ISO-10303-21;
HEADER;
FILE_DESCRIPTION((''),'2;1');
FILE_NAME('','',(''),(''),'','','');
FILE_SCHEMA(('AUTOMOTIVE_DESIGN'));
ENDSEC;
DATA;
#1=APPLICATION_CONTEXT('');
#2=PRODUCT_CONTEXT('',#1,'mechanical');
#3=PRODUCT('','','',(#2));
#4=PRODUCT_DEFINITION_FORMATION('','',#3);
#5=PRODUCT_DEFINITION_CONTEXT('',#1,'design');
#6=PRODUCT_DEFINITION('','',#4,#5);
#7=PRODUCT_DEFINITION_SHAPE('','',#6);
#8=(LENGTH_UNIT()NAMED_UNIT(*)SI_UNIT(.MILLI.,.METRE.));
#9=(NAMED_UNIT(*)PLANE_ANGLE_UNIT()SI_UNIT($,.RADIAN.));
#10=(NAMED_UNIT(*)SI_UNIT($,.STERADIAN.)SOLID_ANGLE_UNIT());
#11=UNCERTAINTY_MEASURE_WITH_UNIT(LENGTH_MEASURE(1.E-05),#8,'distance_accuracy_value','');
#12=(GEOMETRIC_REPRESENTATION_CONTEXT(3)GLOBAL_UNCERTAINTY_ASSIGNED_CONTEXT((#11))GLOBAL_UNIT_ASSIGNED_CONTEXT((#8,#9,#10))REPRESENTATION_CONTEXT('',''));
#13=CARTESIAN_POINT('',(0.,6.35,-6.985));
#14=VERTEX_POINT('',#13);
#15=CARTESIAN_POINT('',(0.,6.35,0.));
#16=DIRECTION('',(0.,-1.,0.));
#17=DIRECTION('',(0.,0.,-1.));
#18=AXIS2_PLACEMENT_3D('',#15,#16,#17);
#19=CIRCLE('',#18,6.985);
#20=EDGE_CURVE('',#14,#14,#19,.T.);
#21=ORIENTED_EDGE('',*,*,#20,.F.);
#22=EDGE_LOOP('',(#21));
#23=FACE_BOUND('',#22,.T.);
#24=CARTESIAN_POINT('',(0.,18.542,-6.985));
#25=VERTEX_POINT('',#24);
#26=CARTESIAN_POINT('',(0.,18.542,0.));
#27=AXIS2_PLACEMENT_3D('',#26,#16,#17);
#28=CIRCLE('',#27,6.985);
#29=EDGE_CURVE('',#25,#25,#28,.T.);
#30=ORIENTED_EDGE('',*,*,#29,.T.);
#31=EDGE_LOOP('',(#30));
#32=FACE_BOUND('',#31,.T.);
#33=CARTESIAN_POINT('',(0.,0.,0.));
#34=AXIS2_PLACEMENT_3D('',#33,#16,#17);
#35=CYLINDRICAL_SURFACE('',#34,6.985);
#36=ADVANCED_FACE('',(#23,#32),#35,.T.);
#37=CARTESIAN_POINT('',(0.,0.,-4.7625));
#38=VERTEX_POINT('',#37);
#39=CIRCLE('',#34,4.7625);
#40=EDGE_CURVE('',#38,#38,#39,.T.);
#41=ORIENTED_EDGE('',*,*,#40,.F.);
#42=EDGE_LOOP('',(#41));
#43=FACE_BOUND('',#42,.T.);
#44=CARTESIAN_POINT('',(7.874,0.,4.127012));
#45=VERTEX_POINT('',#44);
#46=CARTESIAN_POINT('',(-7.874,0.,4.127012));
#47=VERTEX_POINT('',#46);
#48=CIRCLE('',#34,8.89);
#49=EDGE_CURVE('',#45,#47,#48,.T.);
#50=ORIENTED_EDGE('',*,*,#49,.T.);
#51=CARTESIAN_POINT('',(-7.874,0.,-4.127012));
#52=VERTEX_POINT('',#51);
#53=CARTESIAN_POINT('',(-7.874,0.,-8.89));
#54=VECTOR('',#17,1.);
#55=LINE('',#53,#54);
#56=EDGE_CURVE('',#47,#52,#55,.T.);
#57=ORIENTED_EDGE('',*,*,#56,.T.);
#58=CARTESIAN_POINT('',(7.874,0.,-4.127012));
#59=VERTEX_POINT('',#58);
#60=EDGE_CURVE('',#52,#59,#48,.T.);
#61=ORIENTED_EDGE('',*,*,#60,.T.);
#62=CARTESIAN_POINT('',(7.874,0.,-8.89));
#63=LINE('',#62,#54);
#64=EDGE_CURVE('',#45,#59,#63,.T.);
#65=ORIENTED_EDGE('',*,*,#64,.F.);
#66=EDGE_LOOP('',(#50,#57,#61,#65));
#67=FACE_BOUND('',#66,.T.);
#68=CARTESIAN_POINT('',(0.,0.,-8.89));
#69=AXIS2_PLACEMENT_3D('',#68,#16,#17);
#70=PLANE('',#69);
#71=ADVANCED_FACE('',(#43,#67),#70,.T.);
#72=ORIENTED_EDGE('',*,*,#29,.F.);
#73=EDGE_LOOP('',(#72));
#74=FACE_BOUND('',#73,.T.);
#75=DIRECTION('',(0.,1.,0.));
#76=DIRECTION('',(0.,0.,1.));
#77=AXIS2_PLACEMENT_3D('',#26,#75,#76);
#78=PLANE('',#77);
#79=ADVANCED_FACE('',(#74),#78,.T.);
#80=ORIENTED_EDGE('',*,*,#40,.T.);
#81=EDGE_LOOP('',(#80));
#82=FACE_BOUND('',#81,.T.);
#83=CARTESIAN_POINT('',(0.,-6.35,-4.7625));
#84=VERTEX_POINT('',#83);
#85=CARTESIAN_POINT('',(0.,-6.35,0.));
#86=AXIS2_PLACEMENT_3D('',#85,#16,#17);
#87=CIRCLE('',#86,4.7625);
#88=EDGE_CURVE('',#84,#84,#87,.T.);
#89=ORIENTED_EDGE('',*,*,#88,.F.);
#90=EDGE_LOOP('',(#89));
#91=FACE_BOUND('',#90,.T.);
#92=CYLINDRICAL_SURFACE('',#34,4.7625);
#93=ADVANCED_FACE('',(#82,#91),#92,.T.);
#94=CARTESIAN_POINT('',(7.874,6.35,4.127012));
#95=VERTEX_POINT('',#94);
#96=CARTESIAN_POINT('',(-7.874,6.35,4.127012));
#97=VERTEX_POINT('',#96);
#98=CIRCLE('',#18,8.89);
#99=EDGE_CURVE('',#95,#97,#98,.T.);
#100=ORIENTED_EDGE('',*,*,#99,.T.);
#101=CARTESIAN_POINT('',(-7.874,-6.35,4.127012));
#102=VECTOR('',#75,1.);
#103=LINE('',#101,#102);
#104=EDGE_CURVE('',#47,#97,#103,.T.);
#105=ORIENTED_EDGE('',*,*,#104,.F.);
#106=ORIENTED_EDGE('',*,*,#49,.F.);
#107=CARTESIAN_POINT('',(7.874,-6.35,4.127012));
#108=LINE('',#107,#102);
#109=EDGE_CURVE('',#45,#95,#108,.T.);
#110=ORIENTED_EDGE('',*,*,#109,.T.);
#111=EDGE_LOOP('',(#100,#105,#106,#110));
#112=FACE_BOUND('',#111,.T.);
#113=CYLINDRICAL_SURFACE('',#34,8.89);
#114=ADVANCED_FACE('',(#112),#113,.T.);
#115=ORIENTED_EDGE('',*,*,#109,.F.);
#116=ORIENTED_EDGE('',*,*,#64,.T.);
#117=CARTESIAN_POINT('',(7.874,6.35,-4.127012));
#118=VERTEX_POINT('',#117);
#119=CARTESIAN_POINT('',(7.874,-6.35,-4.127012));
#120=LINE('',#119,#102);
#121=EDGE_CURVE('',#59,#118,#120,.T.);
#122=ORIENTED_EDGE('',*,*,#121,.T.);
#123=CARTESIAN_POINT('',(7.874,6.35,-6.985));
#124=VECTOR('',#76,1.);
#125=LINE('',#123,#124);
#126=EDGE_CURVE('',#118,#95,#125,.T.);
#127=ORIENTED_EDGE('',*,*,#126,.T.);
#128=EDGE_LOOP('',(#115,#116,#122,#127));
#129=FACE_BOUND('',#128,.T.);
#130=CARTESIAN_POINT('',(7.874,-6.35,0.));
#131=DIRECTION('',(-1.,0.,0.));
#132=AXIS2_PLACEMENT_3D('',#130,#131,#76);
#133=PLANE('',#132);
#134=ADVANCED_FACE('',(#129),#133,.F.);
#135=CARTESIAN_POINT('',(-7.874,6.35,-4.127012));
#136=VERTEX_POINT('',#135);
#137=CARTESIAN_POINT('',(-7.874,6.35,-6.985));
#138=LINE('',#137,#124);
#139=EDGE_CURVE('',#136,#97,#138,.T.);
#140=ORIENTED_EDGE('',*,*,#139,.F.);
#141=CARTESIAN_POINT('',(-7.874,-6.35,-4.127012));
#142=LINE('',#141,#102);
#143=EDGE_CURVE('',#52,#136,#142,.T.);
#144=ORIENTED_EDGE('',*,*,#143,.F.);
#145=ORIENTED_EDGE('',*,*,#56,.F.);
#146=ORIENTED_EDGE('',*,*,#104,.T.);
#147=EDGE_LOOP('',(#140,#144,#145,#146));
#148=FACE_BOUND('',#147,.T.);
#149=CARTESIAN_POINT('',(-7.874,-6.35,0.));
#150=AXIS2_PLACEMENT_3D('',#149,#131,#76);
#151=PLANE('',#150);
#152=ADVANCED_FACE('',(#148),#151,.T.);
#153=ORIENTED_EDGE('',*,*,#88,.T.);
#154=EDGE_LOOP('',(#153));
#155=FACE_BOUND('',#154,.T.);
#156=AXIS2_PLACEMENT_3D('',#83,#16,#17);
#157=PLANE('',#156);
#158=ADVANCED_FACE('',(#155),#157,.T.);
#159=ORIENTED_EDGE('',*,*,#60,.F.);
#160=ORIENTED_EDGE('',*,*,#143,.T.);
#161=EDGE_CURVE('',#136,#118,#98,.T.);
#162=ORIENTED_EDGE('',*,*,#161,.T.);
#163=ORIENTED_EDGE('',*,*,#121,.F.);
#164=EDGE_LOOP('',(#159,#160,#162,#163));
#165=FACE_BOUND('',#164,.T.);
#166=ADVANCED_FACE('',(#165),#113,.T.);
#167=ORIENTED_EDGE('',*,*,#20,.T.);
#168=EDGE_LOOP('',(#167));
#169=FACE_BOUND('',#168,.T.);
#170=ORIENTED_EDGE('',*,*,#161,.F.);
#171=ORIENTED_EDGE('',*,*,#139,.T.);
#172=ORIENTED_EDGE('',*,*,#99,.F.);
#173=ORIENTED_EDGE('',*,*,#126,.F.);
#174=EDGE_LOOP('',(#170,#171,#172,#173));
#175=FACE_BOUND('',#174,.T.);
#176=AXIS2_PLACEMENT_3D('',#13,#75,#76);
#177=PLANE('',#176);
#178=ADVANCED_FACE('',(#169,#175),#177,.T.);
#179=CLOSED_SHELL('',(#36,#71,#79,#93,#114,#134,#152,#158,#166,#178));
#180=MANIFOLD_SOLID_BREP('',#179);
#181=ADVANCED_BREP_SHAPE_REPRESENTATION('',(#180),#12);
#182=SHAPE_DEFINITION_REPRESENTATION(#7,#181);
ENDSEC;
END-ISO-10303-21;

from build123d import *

# Parameters (mm, degrees)
CUT_EXTRUDE1_DEPTH = 25.892


with BuildPart() as part:
    # Sketch1 → Revolve1 (revolve)
    with BuildSketch(Plane(origin=(0, 0, 0), x_dir=(0, 0, -1), z_dir=(1, 0, 0))):
        Polygon((0, 0), (0, 18.542), (6.985, 18.542), (6.985, 6.35), (8.89, 6.35), (8.89, 0), (4.7625, 0), (4.7625, -6.35), (0, -6.35), align=None)
    revolve(axis=Axis((0, 0, 0), (0, 1, 0)))

    # Sketch2 → Cut-Extrude1 (cut, through all)
    with BuildSketch(Plane(origin=(0, 18.542, 0), x_dir=(1, 0, 0), z_dir=(0, 1, 0))):
        with BuildLine():
            Line((-7.874, -4.12701151), (-7.874, 4.12701151))
            ThreePointArc((-7.874, 4.12701151), (-8.89, 0), (-7.874, -4.12701151))
        make_face()
        with BuildLine():
            ThreePointArc((8.89, 0), (8.632263898, 2.125116467), (7.874, 4.12701151))
            Line((7.874, 4.12701151), (7.874, -4.12701151))
            ThreePointArc((7.874, -4.12701151), (8.632263898, -2.125116467), (8.89, 0))
        make_face()
    extrude(amount=-CUT_EXTRUDE1_DEPTH, mode=Mode.SUBTRACT)


solid = part.part
